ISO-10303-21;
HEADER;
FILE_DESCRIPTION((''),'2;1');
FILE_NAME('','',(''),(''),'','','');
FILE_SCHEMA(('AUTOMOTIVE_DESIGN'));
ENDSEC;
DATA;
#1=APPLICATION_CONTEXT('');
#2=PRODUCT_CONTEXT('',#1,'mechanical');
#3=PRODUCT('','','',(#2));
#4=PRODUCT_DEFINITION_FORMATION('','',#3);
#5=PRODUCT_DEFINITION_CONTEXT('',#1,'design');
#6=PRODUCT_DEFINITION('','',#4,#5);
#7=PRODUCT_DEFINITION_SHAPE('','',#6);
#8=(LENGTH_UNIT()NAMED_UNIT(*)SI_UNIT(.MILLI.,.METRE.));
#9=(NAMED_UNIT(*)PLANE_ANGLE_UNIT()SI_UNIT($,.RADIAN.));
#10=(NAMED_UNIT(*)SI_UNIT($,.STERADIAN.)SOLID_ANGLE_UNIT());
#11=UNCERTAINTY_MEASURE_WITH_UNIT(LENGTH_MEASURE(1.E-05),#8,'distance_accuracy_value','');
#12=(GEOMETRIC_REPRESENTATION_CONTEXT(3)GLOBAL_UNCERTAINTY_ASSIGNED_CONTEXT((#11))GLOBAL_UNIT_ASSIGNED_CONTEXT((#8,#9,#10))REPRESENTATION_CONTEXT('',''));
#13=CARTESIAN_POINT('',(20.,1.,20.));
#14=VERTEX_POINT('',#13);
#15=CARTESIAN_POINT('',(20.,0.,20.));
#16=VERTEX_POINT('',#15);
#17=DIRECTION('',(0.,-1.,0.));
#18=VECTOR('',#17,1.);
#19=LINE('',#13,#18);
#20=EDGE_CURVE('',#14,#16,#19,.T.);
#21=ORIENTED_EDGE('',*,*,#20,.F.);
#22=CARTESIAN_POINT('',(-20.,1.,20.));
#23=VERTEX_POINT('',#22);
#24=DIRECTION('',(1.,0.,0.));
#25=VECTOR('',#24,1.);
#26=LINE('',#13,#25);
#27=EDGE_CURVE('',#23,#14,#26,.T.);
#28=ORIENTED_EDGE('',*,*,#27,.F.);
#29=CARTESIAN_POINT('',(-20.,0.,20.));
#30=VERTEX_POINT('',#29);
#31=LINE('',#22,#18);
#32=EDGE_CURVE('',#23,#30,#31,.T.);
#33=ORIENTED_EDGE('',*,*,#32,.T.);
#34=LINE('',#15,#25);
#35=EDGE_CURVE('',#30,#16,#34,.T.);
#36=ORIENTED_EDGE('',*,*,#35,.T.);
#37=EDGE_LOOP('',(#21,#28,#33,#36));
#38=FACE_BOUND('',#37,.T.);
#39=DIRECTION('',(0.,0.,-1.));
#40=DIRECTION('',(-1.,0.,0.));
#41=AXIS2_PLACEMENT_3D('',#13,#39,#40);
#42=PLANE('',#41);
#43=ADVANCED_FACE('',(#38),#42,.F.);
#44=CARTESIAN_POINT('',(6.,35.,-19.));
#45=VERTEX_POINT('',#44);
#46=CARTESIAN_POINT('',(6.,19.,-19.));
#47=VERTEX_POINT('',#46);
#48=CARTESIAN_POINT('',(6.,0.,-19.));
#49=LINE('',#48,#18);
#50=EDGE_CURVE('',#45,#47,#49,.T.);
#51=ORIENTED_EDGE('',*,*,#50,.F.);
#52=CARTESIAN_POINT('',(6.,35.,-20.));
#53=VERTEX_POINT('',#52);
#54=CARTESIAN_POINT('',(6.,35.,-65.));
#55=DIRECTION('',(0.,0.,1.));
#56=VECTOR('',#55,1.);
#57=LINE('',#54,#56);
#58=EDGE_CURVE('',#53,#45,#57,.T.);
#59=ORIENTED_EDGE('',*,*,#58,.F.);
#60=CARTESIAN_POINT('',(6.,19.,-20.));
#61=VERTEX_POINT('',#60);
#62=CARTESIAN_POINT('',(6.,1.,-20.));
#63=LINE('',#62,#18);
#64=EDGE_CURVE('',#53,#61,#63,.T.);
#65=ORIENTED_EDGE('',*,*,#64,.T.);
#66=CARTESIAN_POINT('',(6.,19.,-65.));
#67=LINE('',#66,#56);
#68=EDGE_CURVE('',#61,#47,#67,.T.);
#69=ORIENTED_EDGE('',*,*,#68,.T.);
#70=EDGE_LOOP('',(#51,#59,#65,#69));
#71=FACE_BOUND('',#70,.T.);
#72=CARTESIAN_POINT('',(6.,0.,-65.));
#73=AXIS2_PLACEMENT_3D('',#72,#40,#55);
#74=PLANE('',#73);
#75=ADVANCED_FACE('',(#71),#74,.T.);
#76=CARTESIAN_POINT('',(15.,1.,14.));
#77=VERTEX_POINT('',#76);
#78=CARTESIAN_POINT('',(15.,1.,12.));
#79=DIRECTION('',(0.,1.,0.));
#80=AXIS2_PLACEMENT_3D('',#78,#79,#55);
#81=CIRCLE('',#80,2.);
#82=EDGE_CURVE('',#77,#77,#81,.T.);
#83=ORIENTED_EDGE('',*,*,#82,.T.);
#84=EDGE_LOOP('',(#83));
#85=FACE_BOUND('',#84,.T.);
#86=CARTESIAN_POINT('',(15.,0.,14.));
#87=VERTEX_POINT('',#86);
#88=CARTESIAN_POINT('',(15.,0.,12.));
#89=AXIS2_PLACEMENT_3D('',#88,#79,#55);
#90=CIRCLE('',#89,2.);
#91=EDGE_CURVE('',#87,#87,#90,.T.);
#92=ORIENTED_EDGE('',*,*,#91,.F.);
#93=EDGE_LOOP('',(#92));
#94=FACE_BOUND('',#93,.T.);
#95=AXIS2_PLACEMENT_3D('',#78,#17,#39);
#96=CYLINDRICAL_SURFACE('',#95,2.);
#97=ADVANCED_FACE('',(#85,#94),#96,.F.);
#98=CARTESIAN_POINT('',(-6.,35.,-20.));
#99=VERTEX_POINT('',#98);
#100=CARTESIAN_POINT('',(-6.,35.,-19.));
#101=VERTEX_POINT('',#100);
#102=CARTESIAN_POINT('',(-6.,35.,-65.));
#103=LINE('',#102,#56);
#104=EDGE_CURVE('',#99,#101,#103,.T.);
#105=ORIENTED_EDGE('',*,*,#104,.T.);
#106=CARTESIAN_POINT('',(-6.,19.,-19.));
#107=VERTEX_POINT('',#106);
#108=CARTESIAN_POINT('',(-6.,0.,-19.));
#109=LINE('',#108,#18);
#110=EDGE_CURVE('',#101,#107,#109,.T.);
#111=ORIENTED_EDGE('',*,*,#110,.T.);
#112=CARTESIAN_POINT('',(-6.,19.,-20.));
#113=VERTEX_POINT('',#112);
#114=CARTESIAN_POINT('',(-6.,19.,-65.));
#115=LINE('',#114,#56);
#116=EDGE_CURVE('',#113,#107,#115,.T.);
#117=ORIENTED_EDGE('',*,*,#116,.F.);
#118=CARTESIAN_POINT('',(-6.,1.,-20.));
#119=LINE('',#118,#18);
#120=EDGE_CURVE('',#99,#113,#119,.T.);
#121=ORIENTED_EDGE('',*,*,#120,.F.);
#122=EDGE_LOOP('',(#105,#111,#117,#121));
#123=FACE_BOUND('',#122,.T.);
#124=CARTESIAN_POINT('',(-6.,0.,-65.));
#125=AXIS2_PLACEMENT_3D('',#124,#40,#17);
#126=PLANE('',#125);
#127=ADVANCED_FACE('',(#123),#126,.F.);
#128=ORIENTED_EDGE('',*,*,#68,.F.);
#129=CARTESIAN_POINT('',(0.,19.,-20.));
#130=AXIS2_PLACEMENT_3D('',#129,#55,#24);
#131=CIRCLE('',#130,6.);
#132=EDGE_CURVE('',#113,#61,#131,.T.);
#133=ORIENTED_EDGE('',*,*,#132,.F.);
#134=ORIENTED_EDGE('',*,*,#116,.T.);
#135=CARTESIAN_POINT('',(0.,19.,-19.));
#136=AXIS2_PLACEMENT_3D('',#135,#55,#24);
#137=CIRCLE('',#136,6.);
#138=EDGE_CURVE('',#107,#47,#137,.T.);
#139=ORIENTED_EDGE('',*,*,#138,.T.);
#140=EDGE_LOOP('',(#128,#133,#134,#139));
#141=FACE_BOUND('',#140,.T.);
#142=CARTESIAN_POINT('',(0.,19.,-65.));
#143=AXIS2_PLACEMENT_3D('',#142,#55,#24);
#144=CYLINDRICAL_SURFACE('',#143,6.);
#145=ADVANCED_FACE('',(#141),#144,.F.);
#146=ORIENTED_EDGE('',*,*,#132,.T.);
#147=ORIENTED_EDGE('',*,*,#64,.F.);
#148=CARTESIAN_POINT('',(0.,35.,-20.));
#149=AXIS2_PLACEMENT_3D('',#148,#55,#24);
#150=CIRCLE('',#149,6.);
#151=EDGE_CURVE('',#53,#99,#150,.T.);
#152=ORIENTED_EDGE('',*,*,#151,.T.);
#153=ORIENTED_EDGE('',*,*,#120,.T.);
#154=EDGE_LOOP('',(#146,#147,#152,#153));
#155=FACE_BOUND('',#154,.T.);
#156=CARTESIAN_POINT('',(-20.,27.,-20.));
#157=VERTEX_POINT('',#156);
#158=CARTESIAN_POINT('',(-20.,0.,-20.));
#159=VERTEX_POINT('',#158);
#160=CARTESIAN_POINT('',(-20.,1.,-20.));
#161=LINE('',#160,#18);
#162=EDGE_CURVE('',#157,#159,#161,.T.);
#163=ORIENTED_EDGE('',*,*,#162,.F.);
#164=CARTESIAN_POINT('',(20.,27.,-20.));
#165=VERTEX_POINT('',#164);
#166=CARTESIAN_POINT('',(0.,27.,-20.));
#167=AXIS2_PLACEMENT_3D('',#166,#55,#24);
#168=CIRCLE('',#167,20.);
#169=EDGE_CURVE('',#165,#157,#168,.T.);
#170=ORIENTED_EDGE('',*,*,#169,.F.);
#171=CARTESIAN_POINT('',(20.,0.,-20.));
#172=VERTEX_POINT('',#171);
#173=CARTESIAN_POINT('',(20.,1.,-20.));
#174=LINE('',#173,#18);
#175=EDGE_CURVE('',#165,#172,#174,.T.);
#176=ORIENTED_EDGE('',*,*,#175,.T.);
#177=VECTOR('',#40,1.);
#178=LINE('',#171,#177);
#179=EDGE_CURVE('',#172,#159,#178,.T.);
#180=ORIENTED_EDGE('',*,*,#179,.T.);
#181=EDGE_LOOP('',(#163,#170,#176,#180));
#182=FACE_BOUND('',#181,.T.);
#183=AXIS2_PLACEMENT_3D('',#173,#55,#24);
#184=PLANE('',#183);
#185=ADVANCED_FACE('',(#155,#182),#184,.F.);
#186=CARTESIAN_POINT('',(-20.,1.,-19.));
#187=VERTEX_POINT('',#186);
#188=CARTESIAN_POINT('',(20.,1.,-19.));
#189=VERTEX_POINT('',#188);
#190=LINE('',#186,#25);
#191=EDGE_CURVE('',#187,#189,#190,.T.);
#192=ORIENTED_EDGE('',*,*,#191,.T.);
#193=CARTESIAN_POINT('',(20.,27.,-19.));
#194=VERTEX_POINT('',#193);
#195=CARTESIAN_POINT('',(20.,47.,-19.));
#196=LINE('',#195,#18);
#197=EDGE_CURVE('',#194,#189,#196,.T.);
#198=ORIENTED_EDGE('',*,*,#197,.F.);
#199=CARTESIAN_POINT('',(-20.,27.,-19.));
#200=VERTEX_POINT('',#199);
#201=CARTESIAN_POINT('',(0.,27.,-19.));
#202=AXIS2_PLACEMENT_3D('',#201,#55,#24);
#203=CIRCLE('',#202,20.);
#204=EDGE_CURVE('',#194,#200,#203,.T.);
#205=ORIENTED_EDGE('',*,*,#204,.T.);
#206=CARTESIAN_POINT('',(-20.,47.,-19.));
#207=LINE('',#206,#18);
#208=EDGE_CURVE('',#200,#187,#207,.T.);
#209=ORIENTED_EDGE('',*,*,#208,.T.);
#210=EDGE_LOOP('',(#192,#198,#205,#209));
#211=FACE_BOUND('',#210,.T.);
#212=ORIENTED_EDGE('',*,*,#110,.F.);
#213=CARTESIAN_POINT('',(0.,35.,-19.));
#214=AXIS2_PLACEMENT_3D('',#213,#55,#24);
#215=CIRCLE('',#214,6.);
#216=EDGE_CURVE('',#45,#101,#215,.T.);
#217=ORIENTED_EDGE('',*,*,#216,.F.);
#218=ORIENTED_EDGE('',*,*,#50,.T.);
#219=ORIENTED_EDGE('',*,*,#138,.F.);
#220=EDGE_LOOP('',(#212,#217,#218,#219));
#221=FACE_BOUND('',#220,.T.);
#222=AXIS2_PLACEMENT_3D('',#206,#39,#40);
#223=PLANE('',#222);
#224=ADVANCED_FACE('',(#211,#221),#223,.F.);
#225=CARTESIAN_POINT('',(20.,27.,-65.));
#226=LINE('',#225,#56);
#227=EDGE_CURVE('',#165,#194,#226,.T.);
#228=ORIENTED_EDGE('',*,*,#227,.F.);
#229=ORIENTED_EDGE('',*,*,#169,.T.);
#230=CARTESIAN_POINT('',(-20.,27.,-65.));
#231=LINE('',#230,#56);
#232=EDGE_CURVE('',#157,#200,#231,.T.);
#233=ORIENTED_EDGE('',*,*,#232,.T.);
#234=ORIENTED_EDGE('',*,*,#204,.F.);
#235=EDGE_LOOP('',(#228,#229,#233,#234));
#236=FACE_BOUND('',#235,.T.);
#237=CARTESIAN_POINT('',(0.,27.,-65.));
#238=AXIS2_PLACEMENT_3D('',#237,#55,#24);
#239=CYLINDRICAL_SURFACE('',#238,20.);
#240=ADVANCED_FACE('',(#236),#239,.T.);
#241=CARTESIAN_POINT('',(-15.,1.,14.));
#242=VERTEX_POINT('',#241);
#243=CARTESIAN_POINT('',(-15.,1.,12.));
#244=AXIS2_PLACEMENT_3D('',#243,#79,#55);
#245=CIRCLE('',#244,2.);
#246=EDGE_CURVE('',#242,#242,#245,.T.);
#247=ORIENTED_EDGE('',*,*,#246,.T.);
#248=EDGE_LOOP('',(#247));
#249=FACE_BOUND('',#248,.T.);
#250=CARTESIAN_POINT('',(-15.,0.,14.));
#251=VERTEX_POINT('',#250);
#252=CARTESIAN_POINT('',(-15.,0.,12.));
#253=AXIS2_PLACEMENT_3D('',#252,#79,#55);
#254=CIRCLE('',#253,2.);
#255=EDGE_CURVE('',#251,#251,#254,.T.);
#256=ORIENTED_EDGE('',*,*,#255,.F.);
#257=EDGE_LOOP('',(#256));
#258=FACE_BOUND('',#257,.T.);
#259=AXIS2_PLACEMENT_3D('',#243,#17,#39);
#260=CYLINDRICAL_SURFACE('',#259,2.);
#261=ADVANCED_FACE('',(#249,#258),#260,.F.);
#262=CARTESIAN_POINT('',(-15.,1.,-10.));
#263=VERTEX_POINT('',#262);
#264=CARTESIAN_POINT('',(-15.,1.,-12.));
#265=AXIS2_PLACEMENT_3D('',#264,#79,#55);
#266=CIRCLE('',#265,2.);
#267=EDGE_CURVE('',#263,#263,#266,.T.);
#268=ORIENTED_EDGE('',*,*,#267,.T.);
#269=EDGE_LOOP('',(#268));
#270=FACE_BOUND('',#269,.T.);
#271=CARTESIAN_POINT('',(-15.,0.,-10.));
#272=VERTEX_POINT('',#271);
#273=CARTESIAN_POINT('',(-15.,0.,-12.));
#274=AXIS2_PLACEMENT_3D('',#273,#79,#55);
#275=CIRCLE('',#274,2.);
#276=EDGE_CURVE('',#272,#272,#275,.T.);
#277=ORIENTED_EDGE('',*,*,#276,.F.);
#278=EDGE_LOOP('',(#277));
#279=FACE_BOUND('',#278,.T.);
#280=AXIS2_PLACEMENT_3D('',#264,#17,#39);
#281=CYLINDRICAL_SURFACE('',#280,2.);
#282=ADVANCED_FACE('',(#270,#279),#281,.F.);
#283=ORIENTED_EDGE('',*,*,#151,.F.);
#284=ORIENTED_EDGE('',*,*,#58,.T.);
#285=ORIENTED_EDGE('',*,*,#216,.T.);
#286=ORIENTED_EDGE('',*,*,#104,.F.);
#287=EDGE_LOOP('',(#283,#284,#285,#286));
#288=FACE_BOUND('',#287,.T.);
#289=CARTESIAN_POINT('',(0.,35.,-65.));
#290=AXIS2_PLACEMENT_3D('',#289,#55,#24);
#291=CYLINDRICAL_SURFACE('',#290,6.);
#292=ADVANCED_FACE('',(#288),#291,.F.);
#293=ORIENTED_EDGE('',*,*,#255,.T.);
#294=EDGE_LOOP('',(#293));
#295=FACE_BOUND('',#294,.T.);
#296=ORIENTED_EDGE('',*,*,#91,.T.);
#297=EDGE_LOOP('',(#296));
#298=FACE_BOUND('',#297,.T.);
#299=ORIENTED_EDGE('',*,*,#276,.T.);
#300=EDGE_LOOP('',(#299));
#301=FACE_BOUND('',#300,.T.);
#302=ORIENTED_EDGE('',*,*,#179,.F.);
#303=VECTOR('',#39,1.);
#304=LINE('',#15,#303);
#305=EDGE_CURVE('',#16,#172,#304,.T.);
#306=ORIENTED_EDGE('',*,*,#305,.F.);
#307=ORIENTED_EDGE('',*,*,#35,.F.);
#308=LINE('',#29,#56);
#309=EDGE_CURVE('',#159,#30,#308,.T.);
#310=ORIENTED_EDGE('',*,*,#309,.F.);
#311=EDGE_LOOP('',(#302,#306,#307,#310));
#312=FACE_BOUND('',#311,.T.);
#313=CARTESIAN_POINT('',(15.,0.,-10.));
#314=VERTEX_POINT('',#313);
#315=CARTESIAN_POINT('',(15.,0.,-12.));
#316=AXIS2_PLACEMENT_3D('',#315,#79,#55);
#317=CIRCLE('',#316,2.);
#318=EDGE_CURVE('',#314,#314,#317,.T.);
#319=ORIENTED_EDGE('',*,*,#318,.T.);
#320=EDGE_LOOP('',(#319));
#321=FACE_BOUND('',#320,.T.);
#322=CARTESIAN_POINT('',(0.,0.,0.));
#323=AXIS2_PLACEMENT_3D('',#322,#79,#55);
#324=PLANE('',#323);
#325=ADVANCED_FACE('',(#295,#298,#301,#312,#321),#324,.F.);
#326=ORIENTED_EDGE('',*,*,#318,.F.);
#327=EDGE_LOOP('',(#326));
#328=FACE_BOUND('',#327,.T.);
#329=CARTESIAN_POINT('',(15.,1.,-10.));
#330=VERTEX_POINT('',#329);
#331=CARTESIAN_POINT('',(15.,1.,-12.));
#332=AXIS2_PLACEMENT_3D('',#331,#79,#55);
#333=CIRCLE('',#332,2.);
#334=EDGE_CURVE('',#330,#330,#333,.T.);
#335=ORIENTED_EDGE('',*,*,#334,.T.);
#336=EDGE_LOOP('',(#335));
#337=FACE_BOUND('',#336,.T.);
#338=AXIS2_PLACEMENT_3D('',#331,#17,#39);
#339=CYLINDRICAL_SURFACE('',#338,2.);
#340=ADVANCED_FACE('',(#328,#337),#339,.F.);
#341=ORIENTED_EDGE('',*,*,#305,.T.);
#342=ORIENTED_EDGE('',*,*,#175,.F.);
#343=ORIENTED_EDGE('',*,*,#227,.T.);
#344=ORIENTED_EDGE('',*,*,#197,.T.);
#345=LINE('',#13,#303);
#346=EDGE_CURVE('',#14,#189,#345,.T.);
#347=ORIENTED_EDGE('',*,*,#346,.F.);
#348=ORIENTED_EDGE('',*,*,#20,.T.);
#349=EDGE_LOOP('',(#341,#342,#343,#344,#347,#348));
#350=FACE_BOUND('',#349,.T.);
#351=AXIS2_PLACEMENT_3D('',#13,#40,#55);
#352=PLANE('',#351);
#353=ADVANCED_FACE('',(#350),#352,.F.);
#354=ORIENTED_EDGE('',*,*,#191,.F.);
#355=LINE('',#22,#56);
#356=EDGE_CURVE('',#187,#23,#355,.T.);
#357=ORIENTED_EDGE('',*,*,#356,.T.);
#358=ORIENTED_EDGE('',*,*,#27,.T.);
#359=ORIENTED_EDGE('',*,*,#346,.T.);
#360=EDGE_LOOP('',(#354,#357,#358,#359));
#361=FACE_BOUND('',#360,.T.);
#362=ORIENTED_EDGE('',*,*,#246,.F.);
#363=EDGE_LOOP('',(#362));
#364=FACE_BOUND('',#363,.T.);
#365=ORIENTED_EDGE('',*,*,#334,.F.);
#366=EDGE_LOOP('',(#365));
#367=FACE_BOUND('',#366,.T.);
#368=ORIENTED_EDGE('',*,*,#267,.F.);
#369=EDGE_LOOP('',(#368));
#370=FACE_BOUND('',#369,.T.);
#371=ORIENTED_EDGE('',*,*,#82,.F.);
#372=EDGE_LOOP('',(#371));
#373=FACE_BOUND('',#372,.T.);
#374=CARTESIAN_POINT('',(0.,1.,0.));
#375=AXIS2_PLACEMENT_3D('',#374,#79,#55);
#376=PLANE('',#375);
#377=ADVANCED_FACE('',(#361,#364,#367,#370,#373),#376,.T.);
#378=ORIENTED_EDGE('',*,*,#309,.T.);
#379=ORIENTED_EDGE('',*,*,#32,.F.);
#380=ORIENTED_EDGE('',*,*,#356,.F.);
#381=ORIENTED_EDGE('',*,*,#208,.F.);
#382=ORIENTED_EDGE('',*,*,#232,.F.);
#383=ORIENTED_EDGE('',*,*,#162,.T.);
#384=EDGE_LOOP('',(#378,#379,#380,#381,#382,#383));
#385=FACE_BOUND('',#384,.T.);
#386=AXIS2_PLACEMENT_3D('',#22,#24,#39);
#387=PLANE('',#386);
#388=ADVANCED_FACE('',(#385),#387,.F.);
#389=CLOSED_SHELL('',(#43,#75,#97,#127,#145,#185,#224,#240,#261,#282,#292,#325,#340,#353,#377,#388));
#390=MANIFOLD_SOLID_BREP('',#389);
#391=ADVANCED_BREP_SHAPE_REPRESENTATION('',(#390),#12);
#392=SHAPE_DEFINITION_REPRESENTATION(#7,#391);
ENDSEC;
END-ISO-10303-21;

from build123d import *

# Parameters (mm, degrees)
SKETCH1_W           = 40
SKETCH1_H           = 40
SKETCH1_R           = 2
BOSS_EXTRUDE1_DEPTH = 1
SKETCH2_W           = 40
SKETCH2_H           = 1
BOSS_EXTRUDE2_DEPTH = 46
CUT_EXTRUDE1_DEPTH  = 46


with BuildPart() as part:
    # Sketch1 → Boss-Extrude1 (new body)
    with BuildSketch(Plane(origin=(0, 0, 0), x_dir=(1, 0, 0), z_dir=(0, 1, 0))):
        Rectangle(SKETCH1_W, SKETCH1_H)
        with Locations(Location((-15, -12, 0), (0, 0, 270))):
            Circle(SKETCH1_R, mode=Mode.SUBTRACT)
        with Locations(Location((15, -12, 0), (0, 0, 270))):
            Circle(SKETCH1_R, mode=Mode.SUBTRACT)
        with Locations(Location((15, 12, 0), (0, 0, 270))):
            Circle(SKETCH1_R, mode=Mode.SUBTRACT)
        with Locations(Location((-15, 12, 0), (0, 0, 270))):
            Circle(SKETCH1_R, mode=Mode.SUBTRACT)
    extrude(amount=BOSS_EXTRUDE1_DEPTH)

    # Sketch2 → Boss-Extrude2 (add)
    with BuildSketch(Plane(origin=(0, 1, 0), x_dir=(1, 0, 0), z_dir=(0, 1, 0))):
        with Locations((0, 19.5)):
            Rectangle(SKETCH2_W, SKETCH2_H)
    extrude(amount=BOSS_EXTRUDE2_DEPTH)

    # Sketch3 → Cut-Extrude1 (cut)
    with BuildSketch(Plane.XY.offset(-19)):
        with BuildLine():
            Line((6, 19), (6, 35))
            ThreePointArc((6, 35), (0, 41), (-6, 35))
            Line((-6, 35), (-6, 19))
            ThreePointArc((-6, 19), (0, 13), (6, 19))
        make_face()
        with BuildLine():
            Line((-20, 47), (-20, 27))
            ThreePointArc((-20, 27), (-14.142135559, 41.142135688), (1.83e-07, 47))
            Line((1.83e-07, 47), (-20, 47))
        make_face()
        with BuildLine():
            ThreePointArc((1.83e-07, 47), (14.142135688, 41.142135559), (20, 27))
            Line((20, 27), (20, 47))
            Line((20, 47), (1.83e-07, 47))
        make_face()
    extrude(amount=-CUT_EXTRUDE1_DEPTH, mode=Mode.SUBTRACT)


solid = part.part
